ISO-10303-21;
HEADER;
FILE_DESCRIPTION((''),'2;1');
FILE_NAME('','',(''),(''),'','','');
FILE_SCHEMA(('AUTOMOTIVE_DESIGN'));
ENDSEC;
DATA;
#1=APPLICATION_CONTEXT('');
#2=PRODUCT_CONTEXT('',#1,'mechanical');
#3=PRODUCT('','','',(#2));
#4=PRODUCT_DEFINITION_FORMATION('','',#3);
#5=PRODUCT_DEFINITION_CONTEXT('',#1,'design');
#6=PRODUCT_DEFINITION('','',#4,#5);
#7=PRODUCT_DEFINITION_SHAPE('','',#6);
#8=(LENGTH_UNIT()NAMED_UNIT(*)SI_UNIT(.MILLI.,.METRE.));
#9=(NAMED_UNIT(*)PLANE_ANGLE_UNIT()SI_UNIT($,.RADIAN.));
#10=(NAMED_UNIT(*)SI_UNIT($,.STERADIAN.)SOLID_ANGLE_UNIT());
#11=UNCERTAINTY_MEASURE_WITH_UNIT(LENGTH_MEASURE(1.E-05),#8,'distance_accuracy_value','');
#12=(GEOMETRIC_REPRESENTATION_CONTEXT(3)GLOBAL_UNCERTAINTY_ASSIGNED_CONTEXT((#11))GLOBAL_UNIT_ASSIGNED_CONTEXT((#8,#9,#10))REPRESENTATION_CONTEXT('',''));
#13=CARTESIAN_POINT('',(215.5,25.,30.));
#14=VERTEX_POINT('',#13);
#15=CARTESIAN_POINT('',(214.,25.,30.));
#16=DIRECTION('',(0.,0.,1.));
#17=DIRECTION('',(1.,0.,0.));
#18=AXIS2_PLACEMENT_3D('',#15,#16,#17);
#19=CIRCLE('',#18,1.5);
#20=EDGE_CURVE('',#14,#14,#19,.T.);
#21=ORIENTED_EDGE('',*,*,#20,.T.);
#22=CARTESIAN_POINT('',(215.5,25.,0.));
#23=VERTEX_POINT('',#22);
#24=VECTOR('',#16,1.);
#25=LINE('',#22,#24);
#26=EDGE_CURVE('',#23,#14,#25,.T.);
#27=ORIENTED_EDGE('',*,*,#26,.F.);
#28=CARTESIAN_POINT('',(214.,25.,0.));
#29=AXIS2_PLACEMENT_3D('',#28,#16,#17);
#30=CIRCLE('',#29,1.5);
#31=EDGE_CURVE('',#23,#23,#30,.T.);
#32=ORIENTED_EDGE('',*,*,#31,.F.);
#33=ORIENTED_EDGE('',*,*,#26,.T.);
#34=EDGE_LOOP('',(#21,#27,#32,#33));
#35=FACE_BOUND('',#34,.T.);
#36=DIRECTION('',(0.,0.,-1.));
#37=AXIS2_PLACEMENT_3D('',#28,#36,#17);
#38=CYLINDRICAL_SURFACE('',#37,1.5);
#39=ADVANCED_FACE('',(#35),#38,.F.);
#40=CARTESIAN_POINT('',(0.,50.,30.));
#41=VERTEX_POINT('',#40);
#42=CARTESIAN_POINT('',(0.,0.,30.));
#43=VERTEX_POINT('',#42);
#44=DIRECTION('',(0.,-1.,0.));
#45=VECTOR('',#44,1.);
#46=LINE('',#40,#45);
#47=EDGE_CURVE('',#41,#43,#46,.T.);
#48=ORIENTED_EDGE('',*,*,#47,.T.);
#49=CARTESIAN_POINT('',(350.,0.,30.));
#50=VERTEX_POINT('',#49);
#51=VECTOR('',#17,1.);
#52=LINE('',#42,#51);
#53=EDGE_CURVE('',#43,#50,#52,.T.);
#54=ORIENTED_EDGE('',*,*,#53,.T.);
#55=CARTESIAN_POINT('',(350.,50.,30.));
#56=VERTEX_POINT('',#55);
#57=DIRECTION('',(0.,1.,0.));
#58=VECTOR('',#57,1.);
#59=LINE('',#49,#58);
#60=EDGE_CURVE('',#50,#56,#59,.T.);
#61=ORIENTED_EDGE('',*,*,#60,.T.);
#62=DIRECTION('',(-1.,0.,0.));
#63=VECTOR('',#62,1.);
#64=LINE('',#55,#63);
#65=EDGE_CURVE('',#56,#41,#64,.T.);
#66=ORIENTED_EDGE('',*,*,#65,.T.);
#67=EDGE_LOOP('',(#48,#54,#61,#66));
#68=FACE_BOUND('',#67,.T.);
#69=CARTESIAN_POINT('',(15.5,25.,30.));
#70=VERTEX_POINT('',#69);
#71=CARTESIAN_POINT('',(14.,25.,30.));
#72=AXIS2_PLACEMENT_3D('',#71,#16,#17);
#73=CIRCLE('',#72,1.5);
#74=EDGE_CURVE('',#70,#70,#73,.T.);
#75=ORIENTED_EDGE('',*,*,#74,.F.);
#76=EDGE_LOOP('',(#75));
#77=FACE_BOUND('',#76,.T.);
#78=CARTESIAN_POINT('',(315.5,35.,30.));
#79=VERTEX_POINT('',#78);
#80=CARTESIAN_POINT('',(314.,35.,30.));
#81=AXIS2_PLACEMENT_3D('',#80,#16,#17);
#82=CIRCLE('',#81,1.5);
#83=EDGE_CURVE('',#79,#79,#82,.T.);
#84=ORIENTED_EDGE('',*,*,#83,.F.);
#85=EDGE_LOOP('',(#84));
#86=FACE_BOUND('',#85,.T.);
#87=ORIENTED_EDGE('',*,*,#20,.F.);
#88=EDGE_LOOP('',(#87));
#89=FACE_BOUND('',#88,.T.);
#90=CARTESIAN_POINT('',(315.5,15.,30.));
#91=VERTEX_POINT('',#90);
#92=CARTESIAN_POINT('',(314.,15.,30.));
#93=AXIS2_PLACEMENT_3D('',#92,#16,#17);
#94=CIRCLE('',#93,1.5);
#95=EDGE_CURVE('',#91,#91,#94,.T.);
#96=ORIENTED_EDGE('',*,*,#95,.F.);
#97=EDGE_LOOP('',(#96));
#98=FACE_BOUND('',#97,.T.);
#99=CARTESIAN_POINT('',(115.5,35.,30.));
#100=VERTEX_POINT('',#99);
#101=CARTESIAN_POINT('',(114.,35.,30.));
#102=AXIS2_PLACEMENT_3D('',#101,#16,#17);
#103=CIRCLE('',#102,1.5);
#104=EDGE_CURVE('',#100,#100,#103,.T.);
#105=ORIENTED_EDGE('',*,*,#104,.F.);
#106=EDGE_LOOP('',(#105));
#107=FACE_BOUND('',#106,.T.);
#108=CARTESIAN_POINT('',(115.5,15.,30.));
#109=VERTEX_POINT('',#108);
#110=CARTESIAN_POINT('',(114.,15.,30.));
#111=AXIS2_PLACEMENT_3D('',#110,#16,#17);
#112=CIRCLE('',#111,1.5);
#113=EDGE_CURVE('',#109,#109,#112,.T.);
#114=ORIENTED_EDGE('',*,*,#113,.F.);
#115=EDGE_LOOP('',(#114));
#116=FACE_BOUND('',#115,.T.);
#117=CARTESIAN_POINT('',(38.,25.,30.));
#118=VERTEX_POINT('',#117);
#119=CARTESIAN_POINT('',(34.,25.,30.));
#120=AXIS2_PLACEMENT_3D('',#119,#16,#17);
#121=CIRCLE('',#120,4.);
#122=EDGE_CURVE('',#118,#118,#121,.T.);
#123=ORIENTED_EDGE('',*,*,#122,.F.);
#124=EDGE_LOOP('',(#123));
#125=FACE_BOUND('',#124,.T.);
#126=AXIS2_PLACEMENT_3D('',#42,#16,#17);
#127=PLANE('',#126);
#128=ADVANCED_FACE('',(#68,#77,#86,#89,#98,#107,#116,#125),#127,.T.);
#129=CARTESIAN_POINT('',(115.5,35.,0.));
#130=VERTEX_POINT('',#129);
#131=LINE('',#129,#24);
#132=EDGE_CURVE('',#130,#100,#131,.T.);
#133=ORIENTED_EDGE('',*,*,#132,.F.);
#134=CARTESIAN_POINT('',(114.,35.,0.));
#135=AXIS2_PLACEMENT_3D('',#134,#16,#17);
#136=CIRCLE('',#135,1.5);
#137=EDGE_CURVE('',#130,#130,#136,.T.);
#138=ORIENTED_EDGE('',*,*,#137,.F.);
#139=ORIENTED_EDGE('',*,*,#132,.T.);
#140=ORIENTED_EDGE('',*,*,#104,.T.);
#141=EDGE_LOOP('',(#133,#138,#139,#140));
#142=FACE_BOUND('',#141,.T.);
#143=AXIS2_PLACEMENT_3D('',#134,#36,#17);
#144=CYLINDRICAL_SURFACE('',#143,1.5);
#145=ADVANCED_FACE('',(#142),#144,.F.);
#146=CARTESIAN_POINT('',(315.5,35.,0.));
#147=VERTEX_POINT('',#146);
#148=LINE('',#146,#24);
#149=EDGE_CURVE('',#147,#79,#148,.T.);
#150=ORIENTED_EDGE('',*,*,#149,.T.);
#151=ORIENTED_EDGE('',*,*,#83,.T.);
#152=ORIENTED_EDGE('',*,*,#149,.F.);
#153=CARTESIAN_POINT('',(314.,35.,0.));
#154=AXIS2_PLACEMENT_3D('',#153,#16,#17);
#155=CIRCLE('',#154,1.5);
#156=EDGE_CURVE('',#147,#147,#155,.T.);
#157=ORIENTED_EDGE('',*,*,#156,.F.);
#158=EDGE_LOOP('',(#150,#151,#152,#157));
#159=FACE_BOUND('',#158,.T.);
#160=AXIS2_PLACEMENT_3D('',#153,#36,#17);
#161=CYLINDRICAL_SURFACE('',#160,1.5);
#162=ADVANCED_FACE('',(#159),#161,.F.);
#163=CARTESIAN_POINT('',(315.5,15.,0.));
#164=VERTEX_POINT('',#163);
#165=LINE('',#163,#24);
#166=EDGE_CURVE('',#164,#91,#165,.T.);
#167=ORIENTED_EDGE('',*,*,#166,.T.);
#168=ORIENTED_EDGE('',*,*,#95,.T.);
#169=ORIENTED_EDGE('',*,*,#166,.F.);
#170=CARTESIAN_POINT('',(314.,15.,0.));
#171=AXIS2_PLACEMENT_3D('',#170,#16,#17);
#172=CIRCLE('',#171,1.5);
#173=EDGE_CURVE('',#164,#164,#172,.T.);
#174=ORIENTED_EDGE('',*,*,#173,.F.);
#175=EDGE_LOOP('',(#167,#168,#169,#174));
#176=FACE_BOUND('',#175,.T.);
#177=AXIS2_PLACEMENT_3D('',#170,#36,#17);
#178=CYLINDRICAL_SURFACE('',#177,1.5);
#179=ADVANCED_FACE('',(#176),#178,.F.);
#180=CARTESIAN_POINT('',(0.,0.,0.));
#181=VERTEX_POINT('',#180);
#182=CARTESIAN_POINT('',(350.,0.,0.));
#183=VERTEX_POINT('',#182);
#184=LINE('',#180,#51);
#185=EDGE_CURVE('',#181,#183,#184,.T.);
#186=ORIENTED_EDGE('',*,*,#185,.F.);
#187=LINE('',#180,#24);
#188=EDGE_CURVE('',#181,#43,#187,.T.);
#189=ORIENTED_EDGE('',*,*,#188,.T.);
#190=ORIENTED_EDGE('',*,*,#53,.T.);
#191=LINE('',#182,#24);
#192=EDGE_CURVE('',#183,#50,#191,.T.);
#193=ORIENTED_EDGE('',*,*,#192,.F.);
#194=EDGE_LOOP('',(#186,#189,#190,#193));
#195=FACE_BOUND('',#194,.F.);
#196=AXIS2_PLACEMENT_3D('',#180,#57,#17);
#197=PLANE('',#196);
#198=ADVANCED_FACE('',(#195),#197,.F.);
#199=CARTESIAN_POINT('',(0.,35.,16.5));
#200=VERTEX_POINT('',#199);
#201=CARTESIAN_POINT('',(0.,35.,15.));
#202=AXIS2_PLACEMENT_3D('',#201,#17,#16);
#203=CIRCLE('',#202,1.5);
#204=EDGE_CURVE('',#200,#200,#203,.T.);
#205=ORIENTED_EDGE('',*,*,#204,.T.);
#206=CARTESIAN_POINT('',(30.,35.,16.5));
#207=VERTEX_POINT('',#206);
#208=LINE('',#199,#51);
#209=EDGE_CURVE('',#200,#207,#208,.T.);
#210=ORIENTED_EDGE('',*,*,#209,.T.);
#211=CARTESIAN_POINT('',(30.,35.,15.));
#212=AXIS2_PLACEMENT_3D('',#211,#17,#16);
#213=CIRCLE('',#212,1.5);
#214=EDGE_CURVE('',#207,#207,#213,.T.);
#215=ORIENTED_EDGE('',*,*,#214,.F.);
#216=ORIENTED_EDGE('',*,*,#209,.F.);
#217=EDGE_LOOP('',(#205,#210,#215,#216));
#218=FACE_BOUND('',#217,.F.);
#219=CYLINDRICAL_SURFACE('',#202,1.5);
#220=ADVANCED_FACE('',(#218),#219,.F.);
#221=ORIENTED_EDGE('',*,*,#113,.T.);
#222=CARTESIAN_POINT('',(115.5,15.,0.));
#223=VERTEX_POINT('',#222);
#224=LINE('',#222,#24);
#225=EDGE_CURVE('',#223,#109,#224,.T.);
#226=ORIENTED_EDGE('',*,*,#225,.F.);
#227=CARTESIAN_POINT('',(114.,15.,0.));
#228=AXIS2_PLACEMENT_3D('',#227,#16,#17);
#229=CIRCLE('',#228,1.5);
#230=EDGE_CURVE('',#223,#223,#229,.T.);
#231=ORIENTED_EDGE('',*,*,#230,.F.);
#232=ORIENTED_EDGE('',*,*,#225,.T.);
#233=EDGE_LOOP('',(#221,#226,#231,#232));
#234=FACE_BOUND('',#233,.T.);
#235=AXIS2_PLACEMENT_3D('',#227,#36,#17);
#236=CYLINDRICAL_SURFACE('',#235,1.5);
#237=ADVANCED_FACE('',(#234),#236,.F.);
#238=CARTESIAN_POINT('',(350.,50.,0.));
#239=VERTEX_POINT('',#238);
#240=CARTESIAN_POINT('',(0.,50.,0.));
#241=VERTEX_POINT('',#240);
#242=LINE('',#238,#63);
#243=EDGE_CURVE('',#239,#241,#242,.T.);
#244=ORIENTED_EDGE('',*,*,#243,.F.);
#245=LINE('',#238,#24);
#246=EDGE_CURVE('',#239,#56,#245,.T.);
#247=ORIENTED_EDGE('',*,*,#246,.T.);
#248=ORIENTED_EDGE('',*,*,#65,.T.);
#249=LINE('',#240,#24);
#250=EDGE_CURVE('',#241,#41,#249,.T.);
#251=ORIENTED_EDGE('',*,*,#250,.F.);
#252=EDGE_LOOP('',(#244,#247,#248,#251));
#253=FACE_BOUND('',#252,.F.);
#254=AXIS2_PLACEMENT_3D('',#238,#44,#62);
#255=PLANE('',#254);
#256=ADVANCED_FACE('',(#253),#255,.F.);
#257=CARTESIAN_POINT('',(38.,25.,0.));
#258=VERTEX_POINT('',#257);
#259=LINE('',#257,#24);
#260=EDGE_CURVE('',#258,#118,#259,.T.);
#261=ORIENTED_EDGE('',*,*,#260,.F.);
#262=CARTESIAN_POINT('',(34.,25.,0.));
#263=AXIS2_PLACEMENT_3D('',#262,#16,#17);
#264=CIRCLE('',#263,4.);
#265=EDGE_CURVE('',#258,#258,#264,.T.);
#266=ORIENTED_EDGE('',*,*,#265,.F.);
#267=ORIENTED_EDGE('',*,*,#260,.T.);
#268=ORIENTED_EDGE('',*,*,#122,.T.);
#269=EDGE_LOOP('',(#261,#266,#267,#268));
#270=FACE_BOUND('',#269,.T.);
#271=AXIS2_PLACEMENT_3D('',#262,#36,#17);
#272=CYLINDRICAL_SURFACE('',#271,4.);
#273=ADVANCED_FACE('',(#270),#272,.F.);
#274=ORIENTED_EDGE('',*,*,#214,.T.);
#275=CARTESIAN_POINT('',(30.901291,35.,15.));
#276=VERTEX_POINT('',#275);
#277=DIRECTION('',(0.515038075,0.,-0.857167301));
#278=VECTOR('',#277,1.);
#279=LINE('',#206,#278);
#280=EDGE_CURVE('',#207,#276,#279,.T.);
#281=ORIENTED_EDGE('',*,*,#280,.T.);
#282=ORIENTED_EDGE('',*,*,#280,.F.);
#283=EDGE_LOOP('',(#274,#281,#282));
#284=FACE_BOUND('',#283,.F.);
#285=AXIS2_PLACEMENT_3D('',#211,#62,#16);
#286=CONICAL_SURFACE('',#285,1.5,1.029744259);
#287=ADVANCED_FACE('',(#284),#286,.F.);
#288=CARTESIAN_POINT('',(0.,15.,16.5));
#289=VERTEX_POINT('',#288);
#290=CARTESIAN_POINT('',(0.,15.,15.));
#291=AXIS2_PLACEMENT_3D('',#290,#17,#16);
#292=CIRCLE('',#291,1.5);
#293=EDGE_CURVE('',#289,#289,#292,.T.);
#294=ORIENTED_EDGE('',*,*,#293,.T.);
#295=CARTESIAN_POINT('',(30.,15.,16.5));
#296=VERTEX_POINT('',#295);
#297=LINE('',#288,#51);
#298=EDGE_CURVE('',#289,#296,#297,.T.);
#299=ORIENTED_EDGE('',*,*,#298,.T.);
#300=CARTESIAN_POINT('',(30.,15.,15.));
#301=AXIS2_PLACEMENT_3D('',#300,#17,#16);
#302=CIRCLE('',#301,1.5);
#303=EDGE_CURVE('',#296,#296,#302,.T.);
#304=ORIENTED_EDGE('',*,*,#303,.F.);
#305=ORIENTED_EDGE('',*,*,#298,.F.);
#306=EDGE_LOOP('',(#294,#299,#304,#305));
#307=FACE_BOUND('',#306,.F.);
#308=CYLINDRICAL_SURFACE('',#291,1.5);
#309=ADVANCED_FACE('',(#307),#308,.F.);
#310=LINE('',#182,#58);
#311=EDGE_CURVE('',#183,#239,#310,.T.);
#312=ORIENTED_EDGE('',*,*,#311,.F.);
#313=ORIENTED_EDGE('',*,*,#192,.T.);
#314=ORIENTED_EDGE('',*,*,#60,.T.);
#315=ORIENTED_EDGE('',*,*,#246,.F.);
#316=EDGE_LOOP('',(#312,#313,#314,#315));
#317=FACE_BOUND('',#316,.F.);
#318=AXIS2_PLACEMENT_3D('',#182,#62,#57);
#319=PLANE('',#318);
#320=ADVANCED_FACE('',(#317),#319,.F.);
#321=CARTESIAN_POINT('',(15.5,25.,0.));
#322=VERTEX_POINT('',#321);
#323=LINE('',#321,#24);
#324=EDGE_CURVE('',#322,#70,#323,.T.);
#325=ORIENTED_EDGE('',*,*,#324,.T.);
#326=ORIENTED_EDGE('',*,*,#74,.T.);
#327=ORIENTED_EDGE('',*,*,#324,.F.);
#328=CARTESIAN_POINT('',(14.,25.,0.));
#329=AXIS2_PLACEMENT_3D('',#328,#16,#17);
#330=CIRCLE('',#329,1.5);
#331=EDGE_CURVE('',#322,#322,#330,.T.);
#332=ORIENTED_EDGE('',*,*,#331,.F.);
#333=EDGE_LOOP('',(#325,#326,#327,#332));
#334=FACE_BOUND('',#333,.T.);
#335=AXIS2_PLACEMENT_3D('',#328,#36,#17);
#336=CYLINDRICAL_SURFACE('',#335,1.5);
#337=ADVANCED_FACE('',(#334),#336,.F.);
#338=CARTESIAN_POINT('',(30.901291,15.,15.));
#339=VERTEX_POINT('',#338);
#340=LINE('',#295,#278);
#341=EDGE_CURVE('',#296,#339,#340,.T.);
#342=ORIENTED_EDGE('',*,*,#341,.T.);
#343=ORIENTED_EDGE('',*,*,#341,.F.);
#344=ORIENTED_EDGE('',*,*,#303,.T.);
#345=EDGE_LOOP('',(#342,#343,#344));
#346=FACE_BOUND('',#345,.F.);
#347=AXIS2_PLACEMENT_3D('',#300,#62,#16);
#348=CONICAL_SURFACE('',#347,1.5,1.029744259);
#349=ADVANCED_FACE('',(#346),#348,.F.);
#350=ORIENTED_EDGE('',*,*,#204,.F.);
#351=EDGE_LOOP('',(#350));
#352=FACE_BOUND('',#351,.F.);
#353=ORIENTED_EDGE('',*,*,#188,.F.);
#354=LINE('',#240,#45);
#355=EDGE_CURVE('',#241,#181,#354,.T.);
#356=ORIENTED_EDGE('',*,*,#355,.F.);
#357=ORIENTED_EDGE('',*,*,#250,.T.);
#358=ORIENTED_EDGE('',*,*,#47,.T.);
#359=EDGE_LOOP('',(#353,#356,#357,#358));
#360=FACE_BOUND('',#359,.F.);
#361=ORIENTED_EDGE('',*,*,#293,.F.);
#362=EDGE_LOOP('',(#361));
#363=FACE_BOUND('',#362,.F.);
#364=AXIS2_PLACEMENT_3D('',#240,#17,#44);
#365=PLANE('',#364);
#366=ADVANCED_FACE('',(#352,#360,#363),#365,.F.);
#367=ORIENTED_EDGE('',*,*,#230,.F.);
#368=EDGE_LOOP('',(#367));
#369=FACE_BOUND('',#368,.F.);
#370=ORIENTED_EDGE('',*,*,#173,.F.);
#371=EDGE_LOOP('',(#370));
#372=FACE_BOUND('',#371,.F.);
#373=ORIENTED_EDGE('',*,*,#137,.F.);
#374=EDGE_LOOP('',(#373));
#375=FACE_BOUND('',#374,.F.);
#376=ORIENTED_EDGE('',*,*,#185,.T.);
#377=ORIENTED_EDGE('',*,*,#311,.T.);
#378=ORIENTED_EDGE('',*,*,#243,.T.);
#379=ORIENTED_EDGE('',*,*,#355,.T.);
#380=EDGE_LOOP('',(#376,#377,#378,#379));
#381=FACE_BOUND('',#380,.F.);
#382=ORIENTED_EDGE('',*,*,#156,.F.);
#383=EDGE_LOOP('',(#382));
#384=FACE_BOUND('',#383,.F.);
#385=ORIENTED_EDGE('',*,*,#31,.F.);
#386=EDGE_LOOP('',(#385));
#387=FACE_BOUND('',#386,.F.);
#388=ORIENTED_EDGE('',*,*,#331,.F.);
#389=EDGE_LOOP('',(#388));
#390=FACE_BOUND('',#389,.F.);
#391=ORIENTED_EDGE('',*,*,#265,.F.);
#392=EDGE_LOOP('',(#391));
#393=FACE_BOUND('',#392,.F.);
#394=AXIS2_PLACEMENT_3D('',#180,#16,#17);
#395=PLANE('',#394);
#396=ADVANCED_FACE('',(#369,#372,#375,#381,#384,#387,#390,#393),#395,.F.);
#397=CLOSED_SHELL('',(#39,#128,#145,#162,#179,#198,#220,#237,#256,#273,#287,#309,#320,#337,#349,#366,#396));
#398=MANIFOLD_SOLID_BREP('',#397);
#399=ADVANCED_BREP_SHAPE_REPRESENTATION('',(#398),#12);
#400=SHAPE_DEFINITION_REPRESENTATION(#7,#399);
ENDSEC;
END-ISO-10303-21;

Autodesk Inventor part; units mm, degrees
ref_plane "YZ Plane" through (0, 0, 0) normal (1, 0, 0) x (0, 1, 0)
ref_plane "XZ Plane" through (0, 0, 0) normal (0, 1, 0) x (-1, 0, 0)
ref_plane "XY Plane" through (0, 0, 0) normal (0, 0, 1) x (1, 0, 0)
sketch "Skizze1" plane through (0, 0, 0) normal (0, 0, 1) x (1, 0, 0)
  line L0 (0, 0) -> (350, 0)
  line L1 (350, 50) -> (0, 50)
  line L2 (34, 50) -> (34, 0) construction
  circle A0 centre (34, 25) radius 4
  line L3 (0, 25) -> (350, 25) construction
  circle A1 centre (14, 25) radius 1.5
  circle A2 centre (114, 35) radius 1.5
  circle A3 centre (114, 15) radius 1.5
  circle A4 centre (214, 25) radius 1.5
  circle A5 centre (314, 35) radius 1.5
  circle A6 centre (314, 15) radius 1.5
  line L4 (114, 35) -> (314, 35) construction
  line L5 (314, 35) -> (314, 15) construction
  line L6 (314, 15) -> (114, 15) construction
  line L7 (114, 15) -> (114, 35) construction
  line L8 (0, 50) -> (0, 0)
  line L9 (350, 0) -> (350, 50)
  dimension "d0" = 350
  dimension "d16" = 34
  dimension "d17" = 8
  dimension "d151" = 350
  dimension "d152" = 3
  dimension "d153" = 3
  dimension "d154" = 3
  dimension "d155" = 3
  dimension "d156" = 3
  dimension "d157" = 3
  dimension "d159" = 100
  dimension "d160" = 100
  dimension "d161" = 100
  dimension "d162" = 10
  dimension "d163" = 10
  dimension "d206" = 14
  dimension "d207" = 50
extrude "Extrusion1" add sketch "Skizze1" along normal blind 30
sketch "Skizze6" plane through (0, 50, 0) normal (-1, 0, 0) x (0, 0, 1)
  line L0 (0, -50) -> (30, -50) construction
  line L1 (30, -50) -> (30, 0) construction
  line L2 (30, 0) -> (0, 0) construction
  line L3 (0, 0) -> (0, -50) construction
  line L4 (15, 0) -> (15, -50) construction
  line L5 (0, -29) -> (0, -21) construction
  line L6 (0, -25) -> (30, -25) construction
  point P0 (15, -15)
  point P1 (15, -35)
  dimension "d215" = 10
  dimension "d216" = 10
hole "Bohrung18" at (0, 35, 15) at (0, 15, 15) direction (1, 0, 0) diameter 3 depth 30 tip angle 118
properties part number "licht_200_support"
